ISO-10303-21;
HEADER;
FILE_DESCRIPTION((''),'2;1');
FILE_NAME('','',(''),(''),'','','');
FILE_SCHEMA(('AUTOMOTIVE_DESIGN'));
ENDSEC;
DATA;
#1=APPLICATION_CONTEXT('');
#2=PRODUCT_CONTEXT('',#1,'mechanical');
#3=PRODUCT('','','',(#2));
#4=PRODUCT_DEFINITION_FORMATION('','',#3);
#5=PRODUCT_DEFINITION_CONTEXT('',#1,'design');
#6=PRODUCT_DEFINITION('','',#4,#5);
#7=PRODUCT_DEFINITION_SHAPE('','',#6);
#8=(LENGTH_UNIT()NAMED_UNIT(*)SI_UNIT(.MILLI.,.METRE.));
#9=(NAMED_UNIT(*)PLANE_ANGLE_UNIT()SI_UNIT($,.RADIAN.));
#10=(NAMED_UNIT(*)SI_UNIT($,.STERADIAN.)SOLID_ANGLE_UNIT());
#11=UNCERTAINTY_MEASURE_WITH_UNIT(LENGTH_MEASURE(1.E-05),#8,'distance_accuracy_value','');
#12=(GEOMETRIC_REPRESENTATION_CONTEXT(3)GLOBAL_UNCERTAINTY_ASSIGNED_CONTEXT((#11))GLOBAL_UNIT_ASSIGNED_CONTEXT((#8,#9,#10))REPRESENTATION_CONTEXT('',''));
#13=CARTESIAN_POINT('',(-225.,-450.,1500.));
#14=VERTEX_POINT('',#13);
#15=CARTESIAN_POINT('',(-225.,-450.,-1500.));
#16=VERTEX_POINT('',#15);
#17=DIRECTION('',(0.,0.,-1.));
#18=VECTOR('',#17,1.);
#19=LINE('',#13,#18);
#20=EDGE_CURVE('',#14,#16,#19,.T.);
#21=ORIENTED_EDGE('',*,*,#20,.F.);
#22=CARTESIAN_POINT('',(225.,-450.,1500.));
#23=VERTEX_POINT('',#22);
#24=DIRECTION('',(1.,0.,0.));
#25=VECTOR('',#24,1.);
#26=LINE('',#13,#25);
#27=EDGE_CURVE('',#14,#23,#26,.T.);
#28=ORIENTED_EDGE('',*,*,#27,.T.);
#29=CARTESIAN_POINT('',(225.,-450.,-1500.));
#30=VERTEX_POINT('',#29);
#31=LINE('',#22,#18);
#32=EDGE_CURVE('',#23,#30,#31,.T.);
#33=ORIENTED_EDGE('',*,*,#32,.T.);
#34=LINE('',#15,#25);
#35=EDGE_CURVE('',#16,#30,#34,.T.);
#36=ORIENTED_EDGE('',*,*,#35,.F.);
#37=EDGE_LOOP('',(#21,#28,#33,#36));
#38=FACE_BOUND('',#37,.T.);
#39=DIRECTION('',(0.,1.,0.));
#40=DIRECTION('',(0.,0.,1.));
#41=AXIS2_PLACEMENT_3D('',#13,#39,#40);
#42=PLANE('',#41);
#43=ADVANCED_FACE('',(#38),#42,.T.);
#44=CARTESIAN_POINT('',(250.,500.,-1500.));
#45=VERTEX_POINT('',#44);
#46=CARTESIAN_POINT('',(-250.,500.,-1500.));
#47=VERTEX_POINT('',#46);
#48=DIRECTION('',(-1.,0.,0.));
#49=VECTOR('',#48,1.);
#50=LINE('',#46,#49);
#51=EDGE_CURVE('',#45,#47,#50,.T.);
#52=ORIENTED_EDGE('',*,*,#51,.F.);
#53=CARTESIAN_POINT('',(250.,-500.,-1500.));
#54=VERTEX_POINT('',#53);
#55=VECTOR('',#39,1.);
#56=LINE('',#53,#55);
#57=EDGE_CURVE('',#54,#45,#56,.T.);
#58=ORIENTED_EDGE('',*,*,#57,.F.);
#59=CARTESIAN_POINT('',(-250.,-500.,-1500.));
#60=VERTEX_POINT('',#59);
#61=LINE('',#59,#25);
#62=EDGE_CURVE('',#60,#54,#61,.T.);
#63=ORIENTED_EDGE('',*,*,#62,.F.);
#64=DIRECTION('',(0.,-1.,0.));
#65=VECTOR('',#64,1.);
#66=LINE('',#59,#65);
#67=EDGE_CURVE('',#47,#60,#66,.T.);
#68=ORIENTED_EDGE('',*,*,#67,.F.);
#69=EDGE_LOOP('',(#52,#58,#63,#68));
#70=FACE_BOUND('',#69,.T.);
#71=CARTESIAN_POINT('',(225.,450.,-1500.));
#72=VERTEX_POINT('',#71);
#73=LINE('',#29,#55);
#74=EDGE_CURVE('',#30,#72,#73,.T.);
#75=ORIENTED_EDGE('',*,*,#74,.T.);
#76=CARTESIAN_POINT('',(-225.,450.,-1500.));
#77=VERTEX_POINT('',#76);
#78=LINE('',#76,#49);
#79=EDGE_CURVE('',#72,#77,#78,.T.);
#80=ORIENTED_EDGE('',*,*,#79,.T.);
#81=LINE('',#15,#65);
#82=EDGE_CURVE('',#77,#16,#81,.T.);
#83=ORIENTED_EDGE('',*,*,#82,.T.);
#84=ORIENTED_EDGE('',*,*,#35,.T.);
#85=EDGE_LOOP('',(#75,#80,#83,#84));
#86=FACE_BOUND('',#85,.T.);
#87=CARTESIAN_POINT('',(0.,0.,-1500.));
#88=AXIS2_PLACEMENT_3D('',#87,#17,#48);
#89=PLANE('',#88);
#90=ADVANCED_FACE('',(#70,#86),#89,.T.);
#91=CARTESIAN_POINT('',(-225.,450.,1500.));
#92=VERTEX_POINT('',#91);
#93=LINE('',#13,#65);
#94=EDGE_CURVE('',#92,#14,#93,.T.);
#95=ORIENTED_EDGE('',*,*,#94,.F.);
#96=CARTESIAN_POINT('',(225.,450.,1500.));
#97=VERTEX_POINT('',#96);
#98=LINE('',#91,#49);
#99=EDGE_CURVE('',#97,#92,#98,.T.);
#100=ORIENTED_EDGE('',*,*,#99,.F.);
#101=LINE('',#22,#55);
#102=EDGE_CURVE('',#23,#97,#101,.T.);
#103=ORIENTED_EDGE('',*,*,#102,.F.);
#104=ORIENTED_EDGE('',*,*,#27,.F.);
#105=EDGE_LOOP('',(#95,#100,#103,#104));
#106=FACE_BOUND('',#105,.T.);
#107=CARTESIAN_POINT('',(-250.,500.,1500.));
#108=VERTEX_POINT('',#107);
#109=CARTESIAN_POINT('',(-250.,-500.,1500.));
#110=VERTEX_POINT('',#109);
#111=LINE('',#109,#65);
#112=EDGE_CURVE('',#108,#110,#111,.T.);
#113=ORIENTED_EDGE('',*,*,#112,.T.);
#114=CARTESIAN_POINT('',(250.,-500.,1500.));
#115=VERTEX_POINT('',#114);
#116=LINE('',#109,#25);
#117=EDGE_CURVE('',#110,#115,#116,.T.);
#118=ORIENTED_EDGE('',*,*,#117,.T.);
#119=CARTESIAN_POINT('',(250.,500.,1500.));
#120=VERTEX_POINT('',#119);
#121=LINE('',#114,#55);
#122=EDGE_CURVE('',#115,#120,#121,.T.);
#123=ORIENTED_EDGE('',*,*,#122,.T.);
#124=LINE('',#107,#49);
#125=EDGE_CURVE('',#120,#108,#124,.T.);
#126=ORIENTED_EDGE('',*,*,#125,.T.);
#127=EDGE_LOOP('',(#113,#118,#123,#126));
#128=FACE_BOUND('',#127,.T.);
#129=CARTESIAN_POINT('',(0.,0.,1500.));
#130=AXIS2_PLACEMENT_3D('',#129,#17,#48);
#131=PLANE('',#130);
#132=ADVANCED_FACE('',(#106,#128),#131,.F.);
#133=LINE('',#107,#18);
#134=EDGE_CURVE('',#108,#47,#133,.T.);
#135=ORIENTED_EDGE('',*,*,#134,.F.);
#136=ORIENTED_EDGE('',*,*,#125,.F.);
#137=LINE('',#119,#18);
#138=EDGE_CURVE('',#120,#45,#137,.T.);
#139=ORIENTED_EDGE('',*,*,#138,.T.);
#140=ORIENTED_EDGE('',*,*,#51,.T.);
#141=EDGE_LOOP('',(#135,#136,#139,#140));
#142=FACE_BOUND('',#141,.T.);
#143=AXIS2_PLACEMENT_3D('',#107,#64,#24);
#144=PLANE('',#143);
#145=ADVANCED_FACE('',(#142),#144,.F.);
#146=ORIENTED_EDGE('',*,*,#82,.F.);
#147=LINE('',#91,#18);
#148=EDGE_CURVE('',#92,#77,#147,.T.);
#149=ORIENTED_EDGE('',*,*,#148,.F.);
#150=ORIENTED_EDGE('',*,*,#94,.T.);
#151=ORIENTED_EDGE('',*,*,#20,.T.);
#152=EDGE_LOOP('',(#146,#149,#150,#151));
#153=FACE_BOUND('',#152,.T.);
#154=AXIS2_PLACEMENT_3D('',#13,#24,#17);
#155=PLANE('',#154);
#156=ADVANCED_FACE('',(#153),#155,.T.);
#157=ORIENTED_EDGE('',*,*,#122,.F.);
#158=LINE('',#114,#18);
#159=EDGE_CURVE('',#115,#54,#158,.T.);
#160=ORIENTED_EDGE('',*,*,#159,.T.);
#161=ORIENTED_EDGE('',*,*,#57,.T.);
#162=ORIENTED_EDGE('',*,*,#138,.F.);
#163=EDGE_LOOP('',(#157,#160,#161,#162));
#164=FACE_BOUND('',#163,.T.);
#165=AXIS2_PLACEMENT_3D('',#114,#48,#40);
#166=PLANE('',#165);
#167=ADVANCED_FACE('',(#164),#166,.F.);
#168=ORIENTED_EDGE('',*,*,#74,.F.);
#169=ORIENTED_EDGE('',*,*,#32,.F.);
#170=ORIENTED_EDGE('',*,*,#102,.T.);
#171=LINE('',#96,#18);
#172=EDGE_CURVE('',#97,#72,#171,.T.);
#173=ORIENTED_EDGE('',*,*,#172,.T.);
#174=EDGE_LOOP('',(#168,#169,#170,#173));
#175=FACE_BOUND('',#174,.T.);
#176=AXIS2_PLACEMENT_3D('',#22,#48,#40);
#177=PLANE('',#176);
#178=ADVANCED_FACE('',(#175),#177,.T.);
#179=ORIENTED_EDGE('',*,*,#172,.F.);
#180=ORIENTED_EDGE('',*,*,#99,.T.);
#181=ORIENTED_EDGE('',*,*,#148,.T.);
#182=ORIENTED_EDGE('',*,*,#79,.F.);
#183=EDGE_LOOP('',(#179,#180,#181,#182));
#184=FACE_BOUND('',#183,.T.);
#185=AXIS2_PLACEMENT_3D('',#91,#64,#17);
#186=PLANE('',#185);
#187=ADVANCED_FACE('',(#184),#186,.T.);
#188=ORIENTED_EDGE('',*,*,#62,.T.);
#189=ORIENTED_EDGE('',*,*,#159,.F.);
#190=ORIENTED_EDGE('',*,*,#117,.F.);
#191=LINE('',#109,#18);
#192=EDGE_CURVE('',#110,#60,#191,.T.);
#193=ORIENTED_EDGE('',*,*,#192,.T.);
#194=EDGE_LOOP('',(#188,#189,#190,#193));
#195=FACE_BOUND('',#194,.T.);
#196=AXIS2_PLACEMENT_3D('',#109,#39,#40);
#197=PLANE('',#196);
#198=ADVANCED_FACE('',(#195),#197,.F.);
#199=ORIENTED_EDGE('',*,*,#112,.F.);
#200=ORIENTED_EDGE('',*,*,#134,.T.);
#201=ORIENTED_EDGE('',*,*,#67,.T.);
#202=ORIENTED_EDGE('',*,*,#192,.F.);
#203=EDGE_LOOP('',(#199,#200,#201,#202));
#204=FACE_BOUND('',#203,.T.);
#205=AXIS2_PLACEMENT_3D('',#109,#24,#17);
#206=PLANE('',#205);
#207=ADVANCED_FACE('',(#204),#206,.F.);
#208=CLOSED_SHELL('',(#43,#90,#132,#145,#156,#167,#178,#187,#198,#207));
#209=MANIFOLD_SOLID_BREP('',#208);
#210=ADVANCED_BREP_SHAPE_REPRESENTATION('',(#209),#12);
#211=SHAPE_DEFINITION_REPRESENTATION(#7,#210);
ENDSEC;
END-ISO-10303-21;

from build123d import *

# Parameters (mm, degrees)
SKETCH1_W           = 500
SKETCH1_H           = 1000
SKETCH1_W_2         = 450
SKETCH1_H_2         = 900
BOSS_EXTRUDE1_DEPTH = 1500


with BuildPart() as part:
    # Sketch1 → Boss-Extrude1 (new, symmetric)
    with BuildSketch(Plane.XY):
        Rectangle(SKETCH1_W, SKETCH1_H)
        Rectangle(SKETCH1_W_2, SKETCH1_H_2, mode=Mode.SUBTRACT)
    extrude(amount=BOSS_EXTRUDE1_DEPTH, both=True)


solid = part.part
